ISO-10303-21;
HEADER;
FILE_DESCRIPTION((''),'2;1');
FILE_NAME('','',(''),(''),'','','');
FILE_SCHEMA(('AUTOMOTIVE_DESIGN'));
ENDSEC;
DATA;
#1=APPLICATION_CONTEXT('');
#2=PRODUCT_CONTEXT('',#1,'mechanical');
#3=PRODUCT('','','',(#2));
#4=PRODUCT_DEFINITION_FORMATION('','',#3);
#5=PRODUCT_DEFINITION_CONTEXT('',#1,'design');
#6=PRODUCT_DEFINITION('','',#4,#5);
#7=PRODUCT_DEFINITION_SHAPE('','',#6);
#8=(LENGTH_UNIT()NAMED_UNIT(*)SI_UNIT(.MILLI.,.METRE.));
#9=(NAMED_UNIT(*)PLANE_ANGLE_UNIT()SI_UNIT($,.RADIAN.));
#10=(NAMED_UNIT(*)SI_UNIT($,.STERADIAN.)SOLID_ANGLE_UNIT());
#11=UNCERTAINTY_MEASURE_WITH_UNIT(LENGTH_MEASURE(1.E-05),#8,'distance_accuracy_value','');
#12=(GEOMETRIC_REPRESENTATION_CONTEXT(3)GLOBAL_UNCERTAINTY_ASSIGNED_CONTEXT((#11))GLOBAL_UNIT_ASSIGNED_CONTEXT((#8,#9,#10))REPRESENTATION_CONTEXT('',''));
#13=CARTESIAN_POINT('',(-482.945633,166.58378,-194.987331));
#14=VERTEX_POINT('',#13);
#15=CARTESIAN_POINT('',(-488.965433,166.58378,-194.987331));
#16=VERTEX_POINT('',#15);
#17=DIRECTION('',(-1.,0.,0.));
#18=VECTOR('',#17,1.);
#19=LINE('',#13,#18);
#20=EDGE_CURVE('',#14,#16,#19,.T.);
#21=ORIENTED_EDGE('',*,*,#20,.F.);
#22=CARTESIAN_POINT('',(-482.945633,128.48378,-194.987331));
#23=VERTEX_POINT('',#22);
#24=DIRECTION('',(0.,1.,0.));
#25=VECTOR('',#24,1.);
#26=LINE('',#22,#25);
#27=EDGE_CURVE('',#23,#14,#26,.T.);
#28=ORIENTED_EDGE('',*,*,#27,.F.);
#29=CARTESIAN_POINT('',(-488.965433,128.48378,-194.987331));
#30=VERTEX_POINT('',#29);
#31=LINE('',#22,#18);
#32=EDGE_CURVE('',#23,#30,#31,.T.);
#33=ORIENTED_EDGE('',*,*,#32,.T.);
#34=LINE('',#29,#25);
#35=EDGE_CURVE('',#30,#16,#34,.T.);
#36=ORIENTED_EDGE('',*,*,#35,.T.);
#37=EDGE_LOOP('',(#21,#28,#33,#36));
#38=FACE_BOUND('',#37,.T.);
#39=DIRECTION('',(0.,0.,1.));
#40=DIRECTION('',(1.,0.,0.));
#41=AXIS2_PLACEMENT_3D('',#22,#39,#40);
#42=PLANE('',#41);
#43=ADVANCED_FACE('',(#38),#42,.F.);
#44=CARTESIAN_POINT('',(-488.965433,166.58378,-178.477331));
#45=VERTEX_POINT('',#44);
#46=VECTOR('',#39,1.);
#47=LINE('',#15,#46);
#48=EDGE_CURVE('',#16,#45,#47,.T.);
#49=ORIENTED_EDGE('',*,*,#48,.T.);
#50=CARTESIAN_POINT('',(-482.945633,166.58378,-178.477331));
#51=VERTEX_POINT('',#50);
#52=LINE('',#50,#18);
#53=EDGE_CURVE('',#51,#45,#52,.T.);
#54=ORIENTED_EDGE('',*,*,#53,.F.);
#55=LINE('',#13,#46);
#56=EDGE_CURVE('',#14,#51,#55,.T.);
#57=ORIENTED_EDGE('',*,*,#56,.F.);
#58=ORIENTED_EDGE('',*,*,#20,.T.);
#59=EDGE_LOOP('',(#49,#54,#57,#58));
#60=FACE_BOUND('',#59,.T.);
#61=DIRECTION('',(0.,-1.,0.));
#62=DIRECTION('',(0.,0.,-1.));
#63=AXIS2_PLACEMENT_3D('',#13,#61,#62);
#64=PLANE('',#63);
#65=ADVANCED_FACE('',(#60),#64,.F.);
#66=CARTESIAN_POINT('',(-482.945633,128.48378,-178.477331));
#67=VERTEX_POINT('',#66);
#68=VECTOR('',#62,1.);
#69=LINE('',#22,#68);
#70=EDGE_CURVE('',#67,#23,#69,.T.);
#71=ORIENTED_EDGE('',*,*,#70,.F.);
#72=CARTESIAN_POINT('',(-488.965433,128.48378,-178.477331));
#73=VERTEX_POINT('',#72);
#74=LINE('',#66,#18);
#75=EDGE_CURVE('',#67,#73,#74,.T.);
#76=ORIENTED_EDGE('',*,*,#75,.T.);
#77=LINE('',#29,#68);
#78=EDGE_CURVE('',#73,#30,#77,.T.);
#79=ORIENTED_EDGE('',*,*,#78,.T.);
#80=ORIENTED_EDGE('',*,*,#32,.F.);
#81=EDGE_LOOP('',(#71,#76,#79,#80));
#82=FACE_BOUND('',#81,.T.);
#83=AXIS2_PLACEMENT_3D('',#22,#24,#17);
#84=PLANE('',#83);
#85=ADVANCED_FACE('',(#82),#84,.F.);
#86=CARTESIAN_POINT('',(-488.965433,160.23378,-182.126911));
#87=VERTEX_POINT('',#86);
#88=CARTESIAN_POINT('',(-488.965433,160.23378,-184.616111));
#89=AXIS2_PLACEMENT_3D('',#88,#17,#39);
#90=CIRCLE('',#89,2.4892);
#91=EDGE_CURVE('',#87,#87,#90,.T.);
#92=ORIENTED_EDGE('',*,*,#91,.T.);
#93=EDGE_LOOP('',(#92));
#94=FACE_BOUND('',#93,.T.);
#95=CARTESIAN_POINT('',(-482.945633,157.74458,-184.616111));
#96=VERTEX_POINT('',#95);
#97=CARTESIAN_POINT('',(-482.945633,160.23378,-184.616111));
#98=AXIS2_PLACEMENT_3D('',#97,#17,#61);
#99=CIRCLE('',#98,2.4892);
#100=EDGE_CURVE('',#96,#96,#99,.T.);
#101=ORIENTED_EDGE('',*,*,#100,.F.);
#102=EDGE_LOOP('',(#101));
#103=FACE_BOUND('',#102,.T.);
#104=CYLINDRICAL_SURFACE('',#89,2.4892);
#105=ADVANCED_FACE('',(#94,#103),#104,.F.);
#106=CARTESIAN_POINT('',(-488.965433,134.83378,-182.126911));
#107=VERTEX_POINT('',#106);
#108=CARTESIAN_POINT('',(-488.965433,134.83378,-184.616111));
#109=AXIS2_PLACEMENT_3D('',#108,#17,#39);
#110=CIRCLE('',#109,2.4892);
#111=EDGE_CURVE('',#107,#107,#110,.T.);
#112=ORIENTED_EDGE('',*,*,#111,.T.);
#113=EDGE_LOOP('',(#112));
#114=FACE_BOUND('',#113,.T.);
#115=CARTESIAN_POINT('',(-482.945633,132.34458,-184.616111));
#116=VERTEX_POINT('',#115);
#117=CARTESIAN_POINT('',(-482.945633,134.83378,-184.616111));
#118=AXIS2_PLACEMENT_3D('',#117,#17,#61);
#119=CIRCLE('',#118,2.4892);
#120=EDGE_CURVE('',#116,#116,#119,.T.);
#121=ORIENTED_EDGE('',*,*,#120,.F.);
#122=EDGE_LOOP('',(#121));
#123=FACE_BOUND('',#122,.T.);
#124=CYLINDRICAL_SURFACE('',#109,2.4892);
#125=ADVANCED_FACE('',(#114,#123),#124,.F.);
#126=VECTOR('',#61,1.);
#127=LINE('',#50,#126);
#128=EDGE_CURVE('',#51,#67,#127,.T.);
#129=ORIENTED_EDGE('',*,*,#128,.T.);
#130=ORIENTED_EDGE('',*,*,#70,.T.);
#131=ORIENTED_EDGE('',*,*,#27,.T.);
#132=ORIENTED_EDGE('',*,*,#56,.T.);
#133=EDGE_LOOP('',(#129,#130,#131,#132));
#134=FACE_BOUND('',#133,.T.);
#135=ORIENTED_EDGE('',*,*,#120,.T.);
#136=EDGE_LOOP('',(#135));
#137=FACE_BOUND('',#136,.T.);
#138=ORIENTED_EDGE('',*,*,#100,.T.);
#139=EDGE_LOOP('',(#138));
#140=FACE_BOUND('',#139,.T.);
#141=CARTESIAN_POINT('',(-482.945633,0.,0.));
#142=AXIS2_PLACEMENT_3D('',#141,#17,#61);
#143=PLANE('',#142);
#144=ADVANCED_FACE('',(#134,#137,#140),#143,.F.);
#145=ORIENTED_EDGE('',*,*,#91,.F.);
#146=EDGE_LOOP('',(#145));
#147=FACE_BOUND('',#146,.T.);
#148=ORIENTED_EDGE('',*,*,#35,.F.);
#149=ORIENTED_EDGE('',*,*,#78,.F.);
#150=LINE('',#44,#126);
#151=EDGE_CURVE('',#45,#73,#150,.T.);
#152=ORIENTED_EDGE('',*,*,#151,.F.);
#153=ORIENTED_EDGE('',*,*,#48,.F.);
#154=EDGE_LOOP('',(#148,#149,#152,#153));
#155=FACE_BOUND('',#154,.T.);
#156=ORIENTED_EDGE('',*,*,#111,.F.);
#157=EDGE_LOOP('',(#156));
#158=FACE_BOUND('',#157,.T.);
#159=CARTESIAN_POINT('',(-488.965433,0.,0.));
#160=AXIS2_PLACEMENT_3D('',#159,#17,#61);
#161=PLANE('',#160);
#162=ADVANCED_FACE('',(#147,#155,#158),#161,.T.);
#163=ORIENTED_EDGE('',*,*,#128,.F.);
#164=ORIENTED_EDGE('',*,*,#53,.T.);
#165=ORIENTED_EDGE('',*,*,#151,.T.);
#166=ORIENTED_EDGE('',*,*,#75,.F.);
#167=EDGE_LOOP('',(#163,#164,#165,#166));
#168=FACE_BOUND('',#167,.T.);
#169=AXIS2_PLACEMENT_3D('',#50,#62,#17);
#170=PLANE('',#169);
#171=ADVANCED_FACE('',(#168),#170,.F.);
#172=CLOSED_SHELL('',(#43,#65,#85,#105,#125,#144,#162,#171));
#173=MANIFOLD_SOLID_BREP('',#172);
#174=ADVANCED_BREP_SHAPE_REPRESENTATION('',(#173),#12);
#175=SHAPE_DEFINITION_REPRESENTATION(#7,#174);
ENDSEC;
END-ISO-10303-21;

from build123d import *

# Parameters (mm, degrees)
SKETCH2_W                  = 16.51
SKETCH2_H                  = 38.1
BOSS_EXTRUDE1_DEPTH        = 6.0198
F_10_CLEARANCE_HOLE1_D     = 4.9784
F_10_CLEARANCE_HOLE1_DEPTH = 25.4
F_10_CLEARANCE_HOLE1_TIP   = 1.495662253


with BuildPart() as part:
    # Sketch2 → Boss-Extrude1 (new body)
    with BuildSketch(Plane(origin=(-488.965433296, 0, 0), x_dir=(0, 0, -1), z_dir=(1, 0, 0))):
        with Locations((186.732330939, 147.533779805)):
            Rectangle(SKETCH2_W, SKETCH2_H)
    extrude(amount=BOSS_EXTRUDE1_DEPTH)

    # #10 Clearance Hole1
    with Locations(Plane.ZY.offset(488.965433296)):
        with Locations((-184.616110941, 160.233779805), (-184.616110941, 134.833779805)):
            Hole(F_10_CLEARANCE_HOLE1_D / 2, depth=F_10_CLEARANCE_HOLE1_DEPTH)
            with Locations((0, 0, -(F_10_CLEARANCE_HOLE1_DEPTH + F_10_CLEARANCE_HOLE1_TIP / 2))):  # 118° drill point
                Cone(0, F_10_CLEARANCE_HOLE1_D / 2, F_10_CLEARANCE_HOLE1_TIP, mode=Mode.SUBTRACT)


solid = part.part
